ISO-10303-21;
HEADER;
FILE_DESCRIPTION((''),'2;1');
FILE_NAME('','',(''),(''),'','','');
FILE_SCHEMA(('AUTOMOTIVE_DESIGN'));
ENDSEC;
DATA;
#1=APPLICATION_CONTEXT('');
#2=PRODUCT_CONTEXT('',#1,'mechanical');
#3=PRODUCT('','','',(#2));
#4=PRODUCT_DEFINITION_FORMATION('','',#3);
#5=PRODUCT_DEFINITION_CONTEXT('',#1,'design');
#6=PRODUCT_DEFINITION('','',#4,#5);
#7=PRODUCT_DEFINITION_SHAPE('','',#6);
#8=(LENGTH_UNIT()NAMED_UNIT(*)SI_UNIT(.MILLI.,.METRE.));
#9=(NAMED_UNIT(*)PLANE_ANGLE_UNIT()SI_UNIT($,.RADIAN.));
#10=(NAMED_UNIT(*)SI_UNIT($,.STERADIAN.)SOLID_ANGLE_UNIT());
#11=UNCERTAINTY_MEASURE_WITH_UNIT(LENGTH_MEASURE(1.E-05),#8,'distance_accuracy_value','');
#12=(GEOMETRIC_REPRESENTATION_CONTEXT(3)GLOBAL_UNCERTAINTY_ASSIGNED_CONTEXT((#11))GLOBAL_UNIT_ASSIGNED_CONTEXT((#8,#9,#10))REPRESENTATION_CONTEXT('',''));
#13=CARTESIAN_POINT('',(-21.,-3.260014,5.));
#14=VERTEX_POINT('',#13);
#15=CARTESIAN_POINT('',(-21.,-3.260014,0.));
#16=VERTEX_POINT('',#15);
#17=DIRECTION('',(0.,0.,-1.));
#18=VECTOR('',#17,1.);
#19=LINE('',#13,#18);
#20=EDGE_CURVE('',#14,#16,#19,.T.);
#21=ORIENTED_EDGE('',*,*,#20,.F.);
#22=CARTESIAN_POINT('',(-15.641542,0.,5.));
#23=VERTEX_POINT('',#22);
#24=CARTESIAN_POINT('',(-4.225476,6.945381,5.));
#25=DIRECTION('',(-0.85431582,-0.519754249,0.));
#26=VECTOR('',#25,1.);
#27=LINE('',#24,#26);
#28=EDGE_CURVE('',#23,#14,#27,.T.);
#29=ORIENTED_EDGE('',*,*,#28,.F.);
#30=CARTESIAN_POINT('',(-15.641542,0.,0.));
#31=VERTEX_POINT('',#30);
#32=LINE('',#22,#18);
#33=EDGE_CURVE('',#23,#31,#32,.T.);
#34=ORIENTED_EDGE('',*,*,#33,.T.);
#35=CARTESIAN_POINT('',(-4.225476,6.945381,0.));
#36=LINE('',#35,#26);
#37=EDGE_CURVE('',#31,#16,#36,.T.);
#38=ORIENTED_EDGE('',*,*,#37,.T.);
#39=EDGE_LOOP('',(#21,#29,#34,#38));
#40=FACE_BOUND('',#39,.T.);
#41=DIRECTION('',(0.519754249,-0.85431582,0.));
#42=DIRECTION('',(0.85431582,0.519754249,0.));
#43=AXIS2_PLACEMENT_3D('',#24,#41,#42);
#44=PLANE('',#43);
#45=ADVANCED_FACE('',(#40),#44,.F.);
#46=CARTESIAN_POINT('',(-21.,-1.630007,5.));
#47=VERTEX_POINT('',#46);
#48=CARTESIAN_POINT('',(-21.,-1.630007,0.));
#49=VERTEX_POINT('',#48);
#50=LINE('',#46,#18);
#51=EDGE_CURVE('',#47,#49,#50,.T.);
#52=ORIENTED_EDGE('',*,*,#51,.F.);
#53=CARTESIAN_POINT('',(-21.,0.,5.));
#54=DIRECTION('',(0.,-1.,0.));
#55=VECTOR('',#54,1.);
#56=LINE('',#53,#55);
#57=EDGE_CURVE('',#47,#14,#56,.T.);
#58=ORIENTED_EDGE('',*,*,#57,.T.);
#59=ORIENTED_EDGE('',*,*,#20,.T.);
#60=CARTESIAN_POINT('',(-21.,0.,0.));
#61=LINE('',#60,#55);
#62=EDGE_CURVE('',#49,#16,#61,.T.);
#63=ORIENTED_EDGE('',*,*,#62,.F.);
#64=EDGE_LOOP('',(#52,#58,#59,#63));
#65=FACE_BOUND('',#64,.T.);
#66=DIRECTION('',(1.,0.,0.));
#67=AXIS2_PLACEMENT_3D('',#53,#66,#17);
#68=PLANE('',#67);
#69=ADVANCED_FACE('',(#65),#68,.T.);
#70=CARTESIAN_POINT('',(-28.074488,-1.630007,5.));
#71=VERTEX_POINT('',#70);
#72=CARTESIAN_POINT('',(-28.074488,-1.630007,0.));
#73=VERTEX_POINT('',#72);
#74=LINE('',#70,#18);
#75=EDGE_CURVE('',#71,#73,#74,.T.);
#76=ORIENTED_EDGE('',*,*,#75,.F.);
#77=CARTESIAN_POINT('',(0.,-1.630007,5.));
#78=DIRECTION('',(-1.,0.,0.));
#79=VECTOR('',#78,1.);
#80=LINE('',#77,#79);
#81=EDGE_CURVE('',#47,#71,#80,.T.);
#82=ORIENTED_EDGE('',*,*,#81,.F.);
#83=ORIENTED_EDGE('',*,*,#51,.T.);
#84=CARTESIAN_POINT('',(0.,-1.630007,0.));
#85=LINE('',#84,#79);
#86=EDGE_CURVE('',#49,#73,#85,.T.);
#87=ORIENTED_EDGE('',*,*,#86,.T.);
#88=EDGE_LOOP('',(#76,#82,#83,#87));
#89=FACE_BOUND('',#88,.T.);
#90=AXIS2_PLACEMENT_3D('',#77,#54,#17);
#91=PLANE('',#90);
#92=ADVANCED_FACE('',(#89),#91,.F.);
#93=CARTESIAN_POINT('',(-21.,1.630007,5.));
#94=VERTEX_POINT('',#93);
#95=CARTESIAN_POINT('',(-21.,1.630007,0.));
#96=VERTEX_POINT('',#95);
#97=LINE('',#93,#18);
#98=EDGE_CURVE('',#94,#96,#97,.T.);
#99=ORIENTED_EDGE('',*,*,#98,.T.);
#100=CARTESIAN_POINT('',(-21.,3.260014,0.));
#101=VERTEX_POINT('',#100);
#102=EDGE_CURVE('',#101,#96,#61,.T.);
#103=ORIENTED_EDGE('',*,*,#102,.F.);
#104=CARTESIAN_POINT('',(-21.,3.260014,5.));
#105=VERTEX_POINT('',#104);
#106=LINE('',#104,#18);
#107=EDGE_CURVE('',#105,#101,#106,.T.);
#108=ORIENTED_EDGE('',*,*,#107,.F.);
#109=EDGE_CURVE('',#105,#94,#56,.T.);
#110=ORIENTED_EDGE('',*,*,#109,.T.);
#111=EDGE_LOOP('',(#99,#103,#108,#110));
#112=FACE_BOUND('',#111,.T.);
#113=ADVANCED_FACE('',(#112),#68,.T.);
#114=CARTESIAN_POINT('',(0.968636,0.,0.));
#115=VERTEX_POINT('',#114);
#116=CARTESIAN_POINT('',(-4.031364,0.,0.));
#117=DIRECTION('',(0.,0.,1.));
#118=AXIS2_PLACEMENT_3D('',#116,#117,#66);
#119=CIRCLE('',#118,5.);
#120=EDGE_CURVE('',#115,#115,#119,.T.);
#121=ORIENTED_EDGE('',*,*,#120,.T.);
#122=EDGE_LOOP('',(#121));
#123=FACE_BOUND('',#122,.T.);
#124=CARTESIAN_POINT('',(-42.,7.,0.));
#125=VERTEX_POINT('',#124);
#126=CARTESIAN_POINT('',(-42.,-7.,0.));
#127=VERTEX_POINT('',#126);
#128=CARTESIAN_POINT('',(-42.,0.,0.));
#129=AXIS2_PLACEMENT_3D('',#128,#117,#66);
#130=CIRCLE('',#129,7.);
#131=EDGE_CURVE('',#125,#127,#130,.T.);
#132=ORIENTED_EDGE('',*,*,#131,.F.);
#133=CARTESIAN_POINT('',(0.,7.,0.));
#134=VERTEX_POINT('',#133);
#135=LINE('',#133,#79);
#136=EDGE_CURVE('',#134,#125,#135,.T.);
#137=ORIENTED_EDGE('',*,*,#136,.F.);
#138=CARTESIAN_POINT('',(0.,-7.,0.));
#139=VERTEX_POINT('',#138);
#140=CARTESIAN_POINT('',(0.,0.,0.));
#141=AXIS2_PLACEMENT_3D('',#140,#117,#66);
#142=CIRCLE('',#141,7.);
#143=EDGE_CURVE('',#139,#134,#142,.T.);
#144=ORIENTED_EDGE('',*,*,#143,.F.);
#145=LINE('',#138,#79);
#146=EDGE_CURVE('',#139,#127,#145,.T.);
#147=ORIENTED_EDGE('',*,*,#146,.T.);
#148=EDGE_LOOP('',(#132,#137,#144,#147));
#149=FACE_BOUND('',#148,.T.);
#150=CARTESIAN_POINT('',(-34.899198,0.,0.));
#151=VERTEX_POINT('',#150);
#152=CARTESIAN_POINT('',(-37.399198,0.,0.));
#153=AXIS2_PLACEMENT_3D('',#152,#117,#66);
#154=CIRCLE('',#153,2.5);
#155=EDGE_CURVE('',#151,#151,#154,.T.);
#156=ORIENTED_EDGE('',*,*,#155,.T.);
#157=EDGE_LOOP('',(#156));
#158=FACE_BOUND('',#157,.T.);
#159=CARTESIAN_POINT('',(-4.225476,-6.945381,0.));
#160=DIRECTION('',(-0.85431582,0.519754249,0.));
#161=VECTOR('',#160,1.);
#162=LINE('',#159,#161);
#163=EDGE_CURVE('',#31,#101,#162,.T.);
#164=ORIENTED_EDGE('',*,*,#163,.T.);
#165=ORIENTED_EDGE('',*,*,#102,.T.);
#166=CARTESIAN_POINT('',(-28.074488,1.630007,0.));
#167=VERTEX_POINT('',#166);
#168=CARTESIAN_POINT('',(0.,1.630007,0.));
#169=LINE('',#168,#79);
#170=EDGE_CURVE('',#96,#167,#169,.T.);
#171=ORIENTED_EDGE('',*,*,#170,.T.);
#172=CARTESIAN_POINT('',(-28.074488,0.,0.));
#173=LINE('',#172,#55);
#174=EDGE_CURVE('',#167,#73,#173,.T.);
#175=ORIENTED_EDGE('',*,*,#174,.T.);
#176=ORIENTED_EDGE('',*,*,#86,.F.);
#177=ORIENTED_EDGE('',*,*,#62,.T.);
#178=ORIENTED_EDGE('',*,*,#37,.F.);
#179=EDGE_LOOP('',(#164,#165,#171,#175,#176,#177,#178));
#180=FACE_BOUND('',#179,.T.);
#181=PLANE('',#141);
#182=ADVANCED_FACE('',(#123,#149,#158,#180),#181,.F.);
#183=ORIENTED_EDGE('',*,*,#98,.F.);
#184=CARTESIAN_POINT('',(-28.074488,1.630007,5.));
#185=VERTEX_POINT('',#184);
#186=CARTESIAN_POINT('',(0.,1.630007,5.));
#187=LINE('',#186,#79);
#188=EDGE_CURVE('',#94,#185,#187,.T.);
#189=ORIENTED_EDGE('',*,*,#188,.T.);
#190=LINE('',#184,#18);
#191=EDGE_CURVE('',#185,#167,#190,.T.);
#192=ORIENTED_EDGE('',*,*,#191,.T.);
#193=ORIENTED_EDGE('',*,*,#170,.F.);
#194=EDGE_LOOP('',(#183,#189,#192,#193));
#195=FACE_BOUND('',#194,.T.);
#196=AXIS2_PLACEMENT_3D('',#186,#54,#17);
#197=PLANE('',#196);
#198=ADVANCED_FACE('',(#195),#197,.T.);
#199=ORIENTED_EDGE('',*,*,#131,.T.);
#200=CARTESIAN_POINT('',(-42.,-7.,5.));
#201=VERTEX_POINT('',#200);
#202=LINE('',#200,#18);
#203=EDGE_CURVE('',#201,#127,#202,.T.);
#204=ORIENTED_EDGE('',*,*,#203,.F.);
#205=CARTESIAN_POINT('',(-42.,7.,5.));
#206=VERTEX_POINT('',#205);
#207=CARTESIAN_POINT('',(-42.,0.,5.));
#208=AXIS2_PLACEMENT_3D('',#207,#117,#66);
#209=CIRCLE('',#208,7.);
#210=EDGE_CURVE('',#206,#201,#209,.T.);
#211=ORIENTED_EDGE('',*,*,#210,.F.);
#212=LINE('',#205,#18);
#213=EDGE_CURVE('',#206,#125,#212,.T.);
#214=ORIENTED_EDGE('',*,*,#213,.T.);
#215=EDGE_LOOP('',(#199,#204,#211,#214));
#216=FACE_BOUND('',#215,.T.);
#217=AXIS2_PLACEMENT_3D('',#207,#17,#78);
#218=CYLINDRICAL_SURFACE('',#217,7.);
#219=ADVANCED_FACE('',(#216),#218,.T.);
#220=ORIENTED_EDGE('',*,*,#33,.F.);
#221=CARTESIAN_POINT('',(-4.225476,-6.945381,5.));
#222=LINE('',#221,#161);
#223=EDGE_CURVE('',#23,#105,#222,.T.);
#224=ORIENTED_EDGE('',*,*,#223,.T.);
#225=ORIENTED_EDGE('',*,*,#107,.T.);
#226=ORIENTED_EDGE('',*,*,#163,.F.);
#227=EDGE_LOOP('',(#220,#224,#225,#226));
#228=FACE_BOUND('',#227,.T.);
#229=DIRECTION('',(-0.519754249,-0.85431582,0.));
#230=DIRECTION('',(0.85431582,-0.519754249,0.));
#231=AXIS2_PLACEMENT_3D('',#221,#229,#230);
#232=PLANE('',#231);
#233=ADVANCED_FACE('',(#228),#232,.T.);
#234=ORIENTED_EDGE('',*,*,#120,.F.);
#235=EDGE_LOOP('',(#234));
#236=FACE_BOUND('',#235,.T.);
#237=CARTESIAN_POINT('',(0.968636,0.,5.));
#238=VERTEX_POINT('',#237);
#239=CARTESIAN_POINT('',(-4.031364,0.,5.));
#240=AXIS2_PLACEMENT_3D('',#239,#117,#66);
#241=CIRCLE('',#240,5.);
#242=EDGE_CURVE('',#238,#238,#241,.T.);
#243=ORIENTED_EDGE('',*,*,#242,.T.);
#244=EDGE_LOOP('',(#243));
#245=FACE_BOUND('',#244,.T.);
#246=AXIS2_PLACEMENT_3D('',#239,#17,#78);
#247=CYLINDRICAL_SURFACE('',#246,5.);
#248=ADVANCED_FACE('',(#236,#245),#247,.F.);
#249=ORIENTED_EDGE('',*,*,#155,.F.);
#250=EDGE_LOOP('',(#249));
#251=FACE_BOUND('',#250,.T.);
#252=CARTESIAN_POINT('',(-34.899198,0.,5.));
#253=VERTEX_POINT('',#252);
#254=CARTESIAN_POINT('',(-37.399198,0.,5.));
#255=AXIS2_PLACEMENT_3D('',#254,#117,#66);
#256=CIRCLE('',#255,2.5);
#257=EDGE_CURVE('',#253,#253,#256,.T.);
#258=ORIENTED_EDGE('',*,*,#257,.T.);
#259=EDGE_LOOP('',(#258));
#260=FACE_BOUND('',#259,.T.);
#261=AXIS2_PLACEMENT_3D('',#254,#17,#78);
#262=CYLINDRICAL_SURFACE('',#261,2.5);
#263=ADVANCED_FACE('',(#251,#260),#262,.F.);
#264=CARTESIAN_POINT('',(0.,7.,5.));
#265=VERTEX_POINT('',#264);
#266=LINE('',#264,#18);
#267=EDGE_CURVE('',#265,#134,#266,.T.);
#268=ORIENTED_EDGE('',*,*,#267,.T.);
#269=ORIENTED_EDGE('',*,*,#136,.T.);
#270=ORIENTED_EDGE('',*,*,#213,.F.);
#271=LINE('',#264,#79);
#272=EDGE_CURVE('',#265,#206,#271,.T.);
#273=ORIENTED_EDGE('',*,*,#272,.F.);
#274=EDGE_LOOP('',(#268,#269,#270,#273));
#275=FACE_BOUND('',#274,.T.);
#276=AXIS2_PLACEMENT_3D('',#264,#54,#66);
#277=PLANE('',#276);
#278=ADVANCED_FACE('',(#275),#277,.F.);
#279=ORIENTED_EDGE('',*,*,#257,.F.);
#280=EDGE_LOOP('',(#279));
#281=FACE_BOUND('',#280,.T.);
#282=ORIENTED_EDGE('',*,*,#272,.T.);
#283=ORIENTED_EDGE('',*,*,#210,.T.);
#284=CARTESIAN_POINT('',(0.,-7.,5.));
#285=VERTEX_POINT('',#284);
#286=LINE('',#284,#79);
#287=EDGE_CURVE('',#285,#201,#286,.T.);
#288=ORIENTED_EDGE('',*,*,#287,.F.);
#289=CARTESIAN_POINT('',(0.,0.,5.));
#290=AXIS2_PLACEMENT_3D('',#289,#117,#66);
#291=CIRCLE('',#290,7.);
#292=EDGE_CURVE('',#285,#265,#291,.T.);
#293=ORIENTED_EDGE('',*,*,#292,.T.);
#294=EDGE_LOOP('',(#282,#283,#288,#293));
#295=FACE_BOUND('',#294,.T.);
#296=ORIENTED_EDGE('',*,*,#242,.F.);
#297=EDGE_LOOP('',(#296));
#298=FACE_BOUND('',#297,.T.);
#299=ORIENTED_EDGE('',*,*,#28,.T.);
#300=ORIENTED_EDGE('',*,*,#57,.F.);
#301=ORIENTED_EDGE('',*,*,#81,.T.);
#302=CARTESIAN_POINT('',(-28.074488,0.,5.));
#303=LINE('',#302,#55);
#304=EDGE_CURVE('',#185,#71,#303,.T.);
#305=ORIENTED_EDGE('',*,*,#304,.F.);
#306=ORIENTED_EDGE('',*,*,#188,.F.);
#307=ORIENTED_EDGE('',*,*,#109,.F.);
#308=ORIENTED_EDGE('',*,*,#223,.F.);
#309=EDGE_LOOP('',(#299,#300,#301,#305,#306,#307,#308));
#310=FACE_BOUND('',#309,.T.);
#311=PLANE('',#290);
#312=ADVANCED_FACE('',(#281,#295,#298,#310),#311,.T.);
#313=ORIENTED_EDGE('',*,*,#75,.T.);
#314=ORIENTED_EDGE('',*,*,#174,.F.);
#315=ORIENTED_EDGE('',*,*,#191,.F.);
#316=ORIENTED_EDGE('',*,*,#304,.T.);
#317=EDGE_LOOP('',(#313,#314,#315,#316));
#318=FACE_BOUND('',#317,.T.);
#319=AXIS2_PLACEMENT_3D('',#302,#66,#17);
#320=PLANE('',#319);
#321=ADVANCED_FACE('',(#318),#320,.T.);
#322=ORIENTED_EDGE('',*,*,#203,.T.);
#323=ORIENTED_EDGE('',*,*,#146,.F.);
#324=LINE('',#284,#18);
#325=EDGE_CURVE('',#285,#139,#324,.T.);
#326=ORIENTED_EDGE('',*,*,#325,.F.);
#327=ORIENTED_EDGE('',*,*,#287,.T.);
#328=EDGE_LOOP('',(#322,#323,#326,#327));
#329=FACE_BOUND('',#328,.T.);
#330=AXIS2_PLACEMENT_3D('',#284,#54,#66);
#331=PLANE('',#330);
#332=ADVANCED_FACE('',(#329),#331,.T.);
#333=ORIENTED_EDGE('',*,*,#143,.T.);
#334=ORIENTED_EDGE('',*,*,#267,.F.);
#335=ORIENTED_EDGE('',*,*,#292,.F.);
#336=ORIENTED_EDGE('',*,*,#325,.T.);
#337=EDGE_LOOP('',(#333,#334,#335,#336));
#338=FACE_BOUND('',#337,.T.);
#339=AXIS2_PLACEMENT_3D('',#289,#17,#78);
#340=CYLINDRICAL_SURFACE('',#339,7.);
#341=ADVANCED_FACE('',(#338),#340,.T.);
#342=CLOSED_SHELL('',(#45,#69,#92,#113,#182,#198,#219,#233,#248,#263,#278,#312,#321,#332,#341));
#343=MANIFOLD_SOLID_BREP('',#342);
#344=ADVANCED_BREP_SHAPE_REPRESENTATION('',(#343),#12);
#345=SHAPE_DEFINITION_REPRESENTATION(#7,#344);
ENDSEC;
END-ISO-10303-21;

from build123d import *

# Parameters (mm, degrees)
SKETCH_1_R      = 2.5
SKETCH_1_R_2    = 5
EXTRUDE_1_DEPTH = 5


with BuildPart() as part:
    # 草圖1 → 填料-伸長1 (new body)
    with BuildSketch(Plane.XY):
        with BuildLine():
            Line((-42, -7), (0, -7))
            ThreePointArc((0, -7), (7, 0), (0, 7))
            Line((0, 7), (-42, 7))
            ThreePointArc((-42, 7), (-49, 0), (-42, -7))
        make_face()
        with Locations((-37.399198152, 0)):
            Circle(SKETCH_1_R, mode=Mode.SUBTRACT)
        Polygon((-21, 3.260013757), (-15.641541971, 0), (-21, -3.260013757), (-21, -1.630006879), (-28.07448836, -1.630006879), (-28.07448836, 1.630006879), (-21, 1.630006879), align=None, mode=Mode.SUBTRACT)
        with Locations((-4.031364092, 0)):
            Circle(SKETCH_1_R_2, mode=Mode.SUBTRACT)
    extrude(amount=EXTRUDE_1_DEPTH)


solid = part.part
